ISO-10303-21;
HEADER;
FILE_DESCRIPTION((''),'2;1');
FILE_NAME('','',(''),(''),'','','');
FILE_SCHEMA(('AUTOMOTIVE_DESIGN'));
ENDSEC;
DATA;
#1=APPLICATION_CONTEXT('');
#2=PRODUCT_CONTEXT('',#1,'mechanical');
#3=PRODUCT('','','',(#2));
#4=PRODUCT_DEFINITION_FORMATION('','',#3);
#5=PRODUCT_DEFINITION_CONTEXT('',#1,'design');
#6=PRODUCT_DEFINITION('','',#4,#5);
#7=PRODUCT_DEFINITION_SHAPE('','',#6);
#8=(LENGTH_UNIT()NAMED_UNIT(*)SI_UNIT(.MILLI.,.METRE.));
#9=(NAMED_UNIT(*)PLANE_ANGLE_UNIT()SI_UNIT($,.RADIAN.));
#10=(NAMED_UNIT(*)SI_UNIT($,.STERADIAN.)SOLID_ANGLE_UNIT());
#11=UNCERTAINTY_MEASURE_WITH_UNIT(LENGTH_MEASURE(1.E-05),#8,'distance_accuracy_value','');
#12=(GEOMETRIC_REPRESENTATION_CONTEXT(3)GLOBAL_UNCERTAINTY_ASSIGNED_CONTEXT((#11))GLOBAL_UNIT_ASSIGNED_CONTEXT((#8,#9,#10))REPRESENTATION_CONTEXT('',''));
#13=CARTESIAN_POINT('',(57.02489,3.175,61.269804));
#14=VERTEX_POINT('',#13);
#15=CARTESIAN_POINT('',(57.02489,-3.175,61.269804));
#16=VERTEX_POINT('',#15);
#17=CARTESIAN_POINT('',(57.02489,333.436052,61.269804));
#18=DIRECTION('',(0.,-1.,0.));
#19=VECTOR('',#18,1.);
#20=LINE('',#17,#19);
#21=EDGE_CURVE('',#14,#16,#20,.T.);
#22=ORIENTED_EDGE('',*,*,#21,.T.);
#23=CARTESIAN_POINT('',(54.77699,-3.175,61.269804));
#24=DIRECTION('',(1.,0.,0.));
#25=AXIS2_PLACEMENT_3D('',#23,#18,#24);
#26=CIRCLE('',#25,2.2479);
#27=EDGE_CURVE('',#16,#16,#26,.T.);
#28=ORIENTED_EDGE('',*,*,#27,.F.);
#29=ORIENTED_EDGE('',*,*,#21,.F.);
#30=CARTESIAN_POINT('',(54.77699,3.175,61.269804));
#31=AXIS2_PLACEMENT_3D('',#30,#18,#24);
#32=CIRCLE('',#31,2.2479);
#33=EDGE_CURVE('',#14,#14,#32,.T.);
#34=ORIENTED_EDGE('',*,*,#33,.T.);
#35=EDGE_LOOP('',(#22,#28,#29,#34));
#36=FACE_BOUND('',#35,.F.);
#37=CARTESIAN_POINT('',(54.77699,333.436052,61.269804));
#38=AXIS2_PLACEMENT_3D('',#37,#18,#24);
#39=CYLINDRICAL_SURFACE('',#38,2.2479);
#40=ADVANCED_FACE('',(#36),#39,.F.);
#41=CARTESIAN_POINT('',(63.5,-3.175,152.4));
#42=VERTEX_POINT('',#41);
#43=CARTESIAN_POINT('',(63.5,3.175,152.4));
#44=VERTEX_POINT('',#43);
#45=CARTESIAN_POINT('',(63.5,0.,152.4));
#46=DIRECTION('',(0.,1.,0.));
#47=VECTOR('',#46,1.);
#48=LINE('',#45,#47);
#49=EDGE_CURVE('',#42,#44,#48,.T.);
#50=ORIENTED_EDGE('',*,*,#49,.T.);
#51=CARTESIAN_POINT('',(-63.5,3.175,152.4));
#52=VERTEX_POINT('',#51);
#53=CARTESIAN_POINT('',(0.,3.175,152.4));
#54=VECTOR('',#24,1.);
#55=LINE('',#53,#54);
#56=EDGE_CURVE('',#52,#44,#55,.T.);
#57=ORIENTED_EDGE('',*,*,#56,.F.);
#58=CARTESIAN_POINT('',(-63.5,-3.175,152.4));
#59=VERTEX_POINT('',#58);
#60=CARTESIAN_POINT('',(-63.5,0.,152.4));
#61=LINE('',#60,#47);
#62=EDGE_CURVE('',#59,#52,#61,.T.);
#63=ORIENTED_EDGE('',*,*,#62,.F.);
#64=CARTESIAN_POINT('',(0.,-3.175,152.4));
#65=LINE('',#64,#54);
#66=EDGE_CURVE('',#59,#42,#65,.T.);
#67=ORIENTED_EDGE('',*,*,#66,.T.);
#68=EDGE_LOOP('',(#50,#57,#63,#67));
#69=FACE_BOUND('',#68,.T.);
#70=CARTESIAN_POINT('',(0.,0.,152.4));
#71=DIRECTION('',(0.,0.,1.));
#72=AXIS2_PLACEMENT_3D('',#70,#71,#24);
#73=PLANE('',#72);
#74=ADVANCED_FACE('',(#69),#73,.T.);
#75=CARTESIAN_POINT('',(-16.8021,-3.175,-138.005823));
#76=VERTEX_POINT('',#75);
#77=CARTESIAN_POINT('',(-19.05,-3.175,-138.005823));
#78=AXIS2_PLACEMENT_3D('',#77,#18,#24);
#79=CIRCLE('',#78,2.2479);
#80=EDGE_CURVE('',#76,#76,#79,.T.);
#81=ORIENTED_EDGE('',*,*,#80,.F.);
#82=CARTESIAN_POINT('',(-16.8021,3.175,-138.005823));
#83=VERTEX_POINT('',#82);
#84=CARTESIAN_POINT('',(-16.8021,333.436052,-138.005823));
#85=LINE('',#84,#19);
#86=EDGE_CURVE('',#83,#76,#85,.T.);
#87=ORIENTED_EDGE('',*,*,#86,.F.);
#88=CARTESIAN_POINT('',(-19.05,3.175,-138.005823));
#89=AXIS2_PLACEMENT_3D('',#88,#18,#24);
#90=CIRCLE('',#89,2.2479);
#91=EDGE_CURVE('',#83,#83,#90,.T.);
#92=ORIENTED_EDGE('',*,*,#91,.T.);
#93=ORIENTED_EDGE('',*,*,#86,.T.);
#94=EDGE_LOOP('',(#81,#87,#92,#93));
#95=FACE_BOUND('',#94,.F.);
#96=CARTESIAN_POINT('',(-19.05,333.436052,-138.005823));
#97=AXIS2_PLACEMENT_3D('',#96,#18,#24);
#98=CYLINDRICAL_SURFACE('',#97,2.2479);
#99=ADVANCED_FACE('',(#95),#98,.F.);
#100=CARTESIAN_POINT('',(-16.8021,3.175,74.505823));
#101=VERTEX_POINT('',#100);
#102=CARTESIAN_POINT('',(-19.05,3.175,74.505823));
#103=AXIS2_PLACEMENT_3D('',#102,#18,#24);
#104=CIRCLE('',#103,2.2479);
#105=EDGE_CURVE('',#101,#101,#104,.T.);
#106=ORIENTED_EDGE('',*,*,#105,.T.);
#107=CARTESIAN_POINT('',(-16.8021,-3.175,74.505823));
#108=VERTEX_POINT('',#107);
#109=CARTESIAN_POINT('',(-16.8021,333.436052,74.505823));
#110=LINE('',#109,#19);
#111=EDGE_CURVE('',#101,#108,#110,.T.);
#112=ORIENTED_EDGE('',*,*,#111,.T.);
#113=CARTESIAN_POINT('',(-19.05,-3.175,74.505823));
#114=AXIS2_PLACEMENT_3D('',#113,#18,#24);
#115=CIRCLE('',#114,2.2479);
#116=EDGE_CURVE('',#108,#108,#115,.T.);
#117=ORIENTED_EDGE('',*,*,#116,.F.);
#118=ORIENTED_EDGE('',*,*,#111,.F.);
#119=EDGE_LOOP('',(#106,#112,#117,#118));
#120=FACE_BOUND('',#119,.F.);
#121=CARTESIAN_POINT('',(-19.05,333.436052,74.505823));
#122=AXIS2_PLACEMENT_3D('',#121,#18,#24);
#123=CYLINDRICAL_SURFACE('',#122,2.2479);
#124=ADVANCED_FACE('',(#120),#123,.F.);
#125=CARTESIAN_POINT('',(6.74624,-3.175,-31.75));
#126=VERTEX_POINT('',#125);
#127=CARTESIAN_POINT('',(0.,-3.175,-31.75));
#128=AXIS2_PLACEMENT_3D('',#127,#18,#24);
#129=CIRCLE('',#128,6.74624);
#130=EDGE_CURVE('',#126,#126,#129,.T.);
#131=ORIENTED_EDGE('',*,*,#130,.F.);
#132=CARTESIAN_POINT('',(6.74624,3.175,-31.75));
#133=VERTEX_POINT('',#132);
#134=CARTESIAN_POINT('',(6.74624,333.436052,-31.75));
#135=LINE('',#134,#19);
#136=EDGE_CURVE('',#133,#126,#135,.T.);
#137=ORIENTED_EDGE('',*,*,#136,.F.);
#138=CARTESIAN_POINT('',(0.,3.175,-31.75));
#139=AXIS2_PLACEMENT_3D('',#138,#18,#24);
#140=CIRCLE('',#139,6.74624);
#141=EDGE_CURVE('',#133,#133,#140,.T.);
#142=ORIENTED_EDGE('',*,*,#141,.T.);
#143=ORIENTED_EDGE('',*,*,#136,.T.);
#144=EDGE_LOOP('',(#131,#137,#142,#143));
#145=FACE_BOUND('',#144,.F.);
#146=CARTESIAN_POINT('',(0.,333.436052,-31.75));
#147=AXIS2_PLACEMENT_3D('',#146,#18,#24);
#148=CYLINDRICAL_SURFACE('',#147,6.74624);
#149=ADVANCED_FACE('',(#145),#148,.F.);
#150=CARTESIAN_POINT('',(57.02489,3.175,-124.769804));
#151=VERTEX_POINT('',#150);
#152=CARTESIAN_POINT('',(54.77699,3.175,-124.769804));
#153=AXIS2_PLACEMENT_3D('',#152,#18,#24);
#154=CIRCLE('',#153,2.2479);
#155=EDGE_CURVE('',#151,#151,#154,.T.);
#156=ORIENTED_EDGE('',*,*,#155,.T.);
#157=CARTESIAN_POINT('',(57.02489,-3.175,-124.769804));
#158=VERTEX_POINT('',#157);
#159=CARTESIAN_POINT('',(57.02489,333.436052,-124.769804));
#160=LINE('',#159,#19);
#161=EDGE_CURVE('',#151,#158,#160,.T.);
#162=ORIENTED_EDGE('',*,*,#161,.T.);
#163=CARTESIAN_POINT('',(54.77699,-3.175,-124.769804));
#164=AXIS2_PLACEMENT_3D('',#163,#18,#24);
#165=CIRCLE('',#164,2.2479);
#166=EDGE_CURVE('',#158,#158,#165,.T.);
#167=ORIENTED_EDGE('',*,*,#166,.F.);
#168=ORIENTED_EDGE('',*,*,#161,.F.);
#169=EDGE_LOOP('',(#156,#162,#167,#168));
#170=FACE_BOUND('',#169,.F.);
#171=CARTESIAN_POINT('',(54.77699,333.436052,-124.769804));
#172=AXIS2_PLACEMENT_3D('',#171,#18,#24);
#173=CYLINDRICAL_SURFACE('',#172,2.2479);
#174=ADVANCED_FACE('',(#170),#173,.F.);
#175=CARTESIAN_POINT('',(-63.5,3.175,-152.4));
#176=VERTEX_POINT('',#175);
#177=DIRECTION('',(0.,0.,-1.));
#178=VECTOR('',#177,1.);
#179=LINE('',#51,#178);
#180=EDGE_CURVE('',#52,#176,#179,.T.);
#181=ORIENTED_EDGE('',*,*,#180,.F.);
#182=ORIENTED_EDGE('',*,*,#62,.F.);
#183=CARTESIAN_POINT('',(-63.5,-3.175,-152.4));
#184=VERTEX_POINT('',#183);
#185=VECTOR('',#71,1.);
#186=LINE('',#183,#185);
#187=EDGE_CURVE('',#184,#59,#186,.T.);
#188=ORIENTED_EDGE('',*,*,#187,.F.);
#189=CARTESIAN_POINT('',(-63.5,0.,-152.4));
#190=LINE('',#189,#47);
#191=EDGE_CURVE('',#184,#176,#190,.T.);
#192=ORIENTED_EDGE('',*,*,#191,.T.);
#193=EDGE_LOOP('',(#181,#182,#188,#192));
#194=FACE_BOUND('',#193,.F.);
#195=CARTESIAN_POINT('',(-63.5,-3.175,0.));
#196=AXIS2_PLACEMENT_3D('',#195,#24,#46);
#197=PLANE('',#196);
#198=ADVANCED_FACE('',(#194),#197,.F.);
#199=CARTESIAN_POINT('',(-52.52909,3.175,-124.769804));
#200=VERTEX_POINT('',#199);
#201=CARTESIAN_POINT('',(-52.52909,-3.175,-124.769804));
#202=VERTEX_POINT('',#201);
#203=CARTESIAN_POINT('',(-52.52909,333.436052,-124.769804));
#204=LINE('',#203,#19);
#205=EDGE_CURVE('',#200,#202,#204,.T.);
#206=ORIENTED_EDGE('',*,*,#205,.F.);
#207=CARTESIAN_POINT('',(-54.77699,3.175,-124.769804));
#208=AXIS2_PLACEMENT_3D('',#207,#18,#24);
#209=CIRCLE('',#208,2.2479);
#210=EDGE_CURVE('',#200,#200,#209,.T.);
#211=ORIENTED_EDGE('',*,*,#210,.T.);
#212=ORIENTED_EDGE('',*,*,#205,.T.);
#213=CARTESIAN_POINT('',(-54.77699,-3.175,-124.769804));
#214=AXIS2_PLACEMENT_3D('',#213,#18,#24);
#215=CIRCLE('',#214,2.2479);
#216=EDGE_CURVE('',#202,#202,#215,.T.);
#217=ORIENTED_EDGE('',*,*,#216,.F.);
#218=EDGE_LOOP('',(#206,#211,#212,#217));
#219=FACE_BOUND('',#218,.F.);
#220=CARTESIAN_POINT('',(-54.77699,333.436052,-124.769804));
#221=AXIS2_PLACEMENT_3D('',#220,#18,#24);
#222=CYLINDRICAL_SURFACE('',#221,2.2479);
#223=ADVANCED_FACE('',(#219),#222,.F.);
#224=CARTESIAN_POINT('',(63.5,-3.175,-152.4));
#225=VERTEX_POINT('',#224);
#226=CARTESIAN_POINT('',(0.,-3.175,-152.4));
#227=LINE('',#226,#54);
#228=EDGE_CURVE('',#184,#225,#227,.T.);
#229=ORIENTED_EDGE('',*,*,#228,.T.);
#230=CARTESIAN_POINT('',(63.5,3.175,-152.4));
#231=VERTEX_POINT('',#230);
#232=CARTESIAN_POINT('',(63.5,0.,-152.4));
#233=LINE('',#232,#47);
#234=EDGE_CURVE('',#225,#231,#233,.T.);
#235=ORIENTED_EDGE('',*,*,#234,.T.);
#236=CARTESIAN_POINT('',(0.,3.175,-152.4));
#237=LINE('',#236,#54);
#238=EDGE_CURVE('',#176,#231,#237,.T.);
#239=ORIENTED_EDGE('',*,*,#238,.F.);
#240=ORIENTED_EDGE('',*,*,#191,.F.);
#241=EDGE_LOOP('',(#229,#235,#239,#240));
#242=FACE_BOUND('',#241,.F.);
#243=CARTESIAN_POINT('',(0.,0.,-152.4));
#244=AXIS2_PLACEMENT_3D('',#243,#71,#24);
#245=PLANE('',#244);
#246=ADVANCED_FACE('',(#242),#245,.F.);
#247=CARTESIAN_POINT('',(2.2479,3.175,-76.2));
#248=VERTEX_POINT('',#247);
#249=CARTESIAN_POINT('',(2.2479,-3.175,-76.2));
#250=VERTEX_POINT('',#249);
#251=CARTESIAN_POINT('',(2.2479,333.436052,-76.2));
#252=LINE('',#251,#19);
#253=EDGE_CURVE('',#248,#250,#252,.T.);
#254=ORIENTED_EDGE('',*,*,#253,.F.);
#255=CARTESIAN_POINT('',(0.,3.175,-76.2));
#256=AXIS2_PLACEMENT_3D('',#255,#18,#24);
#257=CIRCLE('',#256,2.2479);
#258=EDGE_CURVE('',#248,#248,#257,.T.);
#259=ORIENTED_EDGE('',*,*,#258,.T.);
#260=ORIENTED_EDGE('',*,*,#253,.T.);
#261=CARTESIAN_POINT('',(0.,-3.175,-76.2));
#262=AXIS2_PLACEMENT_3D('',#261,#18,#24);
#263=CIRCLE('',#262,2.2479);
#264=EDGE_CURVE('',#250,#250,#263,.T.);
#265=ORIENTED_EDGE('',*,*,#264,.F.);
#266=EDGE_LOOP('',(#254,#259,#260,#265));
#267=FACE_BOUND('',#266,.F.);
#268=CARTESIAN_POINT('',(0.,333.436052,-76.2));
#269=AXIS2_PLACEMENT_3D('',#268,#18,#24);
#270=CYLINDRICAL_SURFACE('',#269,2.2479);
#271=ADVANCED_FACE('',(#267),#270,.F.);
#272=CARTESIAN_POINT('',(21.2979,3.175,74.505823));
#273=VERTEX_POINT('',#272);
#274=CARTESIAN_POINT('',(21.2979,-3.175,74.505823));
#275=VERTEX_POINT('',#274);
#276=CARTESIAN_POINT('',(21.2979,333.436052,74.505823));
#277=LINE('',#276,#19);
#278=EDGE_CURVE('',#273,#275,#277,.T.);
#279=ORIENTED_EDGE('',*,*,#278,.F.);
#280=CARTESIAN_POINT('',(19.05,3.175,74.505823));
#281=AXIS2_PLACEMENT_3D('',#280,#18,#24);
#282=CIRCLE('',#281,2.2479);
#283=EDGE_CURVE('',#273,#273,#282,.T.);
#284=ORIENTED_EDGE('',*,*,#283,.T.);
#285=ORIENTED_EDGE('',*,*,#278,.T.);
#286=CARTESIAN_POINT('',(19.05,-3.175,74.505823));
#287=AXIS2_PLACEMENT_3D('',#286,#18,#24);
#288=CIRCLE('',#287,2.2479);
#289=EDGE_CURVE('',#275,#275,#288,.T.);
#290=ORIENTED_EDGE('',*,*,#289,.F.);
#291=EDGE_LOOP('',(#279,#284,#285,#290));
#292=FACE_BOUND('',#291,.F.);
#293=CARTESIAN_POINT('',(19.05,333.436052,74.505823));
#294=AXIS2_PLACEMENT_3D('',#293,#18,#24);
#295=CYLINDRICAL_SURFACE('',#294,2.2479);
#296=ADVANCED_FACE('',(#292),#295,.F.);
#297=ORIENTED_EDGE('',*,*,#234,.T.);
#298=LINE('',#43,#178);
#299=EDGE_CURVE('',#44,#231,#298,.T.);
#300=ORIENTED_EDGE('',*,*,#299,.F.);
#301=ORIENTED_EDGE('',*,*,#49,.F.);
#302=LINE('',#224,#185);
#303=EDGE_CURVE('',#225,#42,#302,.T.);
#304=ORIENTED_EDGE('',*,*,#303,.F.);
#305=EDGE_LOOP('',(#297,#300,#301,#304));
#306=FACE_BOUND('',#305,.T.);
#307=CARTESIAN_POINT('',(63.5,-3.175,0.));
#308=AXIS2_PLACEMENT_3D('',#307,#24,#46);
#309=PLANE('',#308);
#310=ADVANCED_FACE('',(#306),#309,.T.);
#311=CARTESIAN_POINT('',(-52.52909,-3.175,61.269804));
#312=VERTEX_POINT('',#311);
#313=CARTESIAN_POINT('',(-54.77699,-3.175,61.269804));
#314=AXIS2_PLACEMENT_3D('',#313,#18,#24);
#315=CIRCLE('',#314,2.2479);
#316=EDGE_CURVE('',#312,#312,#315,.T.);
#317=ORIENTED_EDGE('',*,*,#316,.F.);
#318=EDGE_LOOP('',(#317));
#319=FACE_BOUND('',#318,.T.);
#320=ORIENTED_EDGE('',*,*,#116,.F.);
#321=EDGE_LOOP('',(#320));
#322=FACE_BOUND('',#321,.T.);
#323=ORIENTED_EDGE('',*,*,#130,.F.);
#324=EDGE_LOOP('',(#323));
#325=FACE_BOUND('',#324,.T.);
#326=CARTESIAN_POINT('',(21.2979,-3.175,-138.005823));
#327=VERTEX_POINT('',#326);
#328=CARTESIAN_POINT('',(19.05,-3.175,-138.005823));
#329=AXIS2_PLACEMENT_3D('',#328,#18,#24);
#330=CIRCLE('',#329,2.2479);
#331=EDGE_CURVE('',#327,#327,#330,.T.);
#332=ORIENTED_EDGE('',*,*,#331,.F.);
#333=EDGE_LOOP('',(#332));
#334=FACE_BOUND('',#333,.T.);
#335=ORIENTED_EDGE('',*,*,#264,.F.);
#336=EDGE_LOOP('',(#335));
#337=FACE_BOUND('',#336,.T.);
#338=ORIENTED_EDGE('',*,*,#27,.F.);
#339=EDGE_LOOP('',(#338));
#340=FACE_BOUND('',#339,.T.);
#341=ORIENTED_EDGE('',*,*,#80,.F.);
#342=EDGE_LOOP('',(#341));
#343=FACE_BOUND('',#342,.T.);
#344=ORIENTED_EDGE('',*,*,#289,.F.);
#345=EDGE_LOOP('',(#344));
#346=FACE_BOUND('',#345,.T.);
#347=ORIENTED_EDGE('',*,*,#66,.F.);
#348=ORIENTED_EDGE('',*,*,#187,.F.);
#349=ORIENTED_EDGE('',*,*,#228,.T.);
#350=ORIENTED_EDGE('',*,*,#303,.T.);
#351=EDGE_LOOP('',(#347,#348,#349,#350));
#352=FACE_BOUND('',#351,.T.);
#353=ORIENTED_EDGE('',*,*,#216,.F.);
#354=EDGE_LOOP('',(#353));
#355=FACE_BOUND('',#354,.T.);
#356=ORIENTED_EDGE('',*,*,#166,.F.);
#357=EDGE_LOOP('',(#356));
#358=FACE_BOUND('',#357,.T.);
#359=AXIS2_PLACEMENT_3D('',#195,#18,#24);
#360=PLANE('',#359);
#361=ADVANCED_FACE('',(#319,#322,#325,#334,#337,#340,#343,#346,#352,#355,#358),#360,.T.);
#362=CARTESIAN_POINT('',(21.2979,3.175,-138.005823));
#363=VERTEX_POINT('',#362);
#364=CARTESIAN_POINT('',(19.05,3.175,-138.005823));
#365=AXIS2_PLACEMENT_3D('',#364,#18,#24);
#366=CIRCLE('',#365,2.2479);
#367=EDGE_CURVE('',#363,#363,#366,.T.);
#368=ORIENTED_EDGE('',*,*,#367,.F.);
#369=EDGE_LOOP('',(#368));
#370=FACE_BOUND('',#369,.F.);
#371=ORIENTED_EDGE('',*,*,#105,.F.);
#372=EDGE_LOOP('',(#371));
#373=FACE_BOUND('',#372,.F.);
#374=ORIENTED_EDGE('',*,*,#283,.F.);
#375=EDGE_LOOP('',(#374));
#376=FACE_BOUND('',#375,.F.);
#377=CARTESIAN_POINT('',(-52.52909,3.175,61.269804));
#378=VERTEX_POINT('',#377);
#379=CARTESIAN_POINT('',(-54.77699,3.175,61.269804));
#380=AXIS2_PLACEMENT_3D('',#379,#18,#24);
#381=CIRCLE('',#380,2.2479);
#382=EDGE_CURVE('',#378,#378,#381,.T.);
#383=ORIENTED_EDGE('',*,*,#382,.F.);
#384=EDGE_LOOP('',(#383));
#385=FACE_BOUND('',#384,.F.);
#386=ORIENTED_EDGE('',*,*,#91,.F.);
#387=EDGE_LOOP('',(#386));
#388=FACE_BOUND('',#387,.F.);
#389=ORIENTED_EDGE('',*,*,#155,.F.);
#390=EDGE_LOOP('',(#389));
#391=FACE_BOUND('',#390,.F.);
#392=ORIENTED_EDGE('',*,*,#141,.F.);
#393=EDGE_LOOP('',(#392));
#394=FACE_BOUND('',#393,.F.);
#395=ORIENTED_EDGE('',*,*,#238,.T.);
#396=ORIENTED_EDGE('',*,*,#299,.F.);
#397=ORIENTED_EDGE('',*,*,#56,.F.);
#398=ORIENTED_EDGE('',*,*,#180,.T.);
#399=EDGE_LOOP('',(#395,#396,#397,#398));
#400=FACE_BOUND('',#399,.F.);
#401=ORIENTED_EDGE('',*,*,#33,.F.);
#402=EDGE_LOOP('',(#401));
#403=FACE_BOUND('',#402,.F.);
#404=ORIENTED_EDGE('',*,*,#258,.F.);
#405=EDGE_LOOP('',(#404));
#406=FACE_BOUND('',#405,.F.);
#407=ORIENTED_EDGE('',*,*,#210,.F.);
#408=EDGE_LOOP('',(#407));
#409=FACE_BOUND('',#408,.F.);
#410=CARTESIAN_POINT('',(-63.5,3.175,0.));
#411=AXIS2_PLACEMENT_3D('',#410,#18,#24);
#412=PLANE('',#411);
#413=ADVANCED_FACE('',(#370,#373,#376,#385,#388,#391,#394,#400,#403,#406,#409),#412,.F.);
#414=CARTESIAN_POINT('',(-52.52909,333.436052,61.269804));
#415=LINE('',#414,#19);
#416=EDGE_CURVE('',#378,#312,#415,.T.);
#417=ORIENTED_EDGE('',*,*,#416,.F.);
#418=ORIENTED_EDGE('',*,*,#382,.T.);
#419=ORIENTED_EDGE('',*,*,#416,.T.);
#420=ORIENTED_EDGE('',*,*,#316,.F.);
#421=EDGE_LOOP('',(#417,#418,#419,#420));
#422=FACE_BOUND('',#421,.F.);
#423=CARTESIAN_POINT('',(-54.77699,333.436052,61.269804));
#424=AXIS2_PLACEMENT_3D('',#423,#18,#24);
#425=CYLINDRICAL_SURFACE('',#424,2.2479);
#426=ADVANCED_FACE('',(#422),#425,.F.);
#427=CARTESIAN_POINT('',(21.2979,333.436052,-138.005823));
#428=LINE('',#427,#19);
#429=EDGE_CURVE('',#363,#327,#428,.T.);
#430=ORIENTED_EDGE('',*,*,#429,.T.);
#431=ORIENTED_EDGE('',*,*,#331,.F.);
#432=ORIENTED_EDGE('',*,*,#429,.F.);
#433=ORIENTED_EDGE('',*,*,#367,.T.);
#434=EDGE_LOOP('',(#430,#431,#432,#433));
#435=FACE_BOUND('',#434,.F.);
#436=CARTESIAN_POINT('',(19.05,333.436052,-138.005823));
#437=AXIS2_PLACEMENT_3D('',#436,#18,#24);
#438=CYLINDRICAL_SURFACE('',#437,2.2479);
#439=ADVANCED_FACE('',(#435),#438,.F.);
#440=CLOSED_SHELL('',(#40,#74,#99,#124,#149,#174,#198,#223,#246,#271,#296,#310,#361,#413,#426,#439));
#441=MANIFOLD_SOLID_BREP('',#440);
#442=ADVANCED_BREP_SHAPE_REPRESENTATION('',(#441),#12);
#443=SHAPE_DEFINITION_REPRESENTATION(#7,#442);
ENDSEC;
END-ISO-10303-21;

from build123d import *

# Parameters (mm, degrees)
F0_W     = 127
F0_H     = 6.35
F1_DEPTH = 152.4
F3_D     = 4.4958
F4_D     = 13.49248
F5_D     = 4.4958


with BuildPart() as f1:
    # F0 (on Top) → F1 (new body, symmetric)
    with BuildSketch(Plane.XY):
        Rectangle(F0_W, F0_H)
    extrude(amount=F1_DEPTH, both=True)

    # F3 (through all)
    with Locations(Plane(origin=(0, 3.175, 0), x_dir=(-1, 0, 0), z_dir=(0, 1, 0))):
        with Locations((54.7769896194, -124.7698038497), (19.05, -138.0058233698), (-19.05, -138.0058233698), (-54.7769896194, -124.7698038497), (54.7769896194, 61.2698038497), (19.05, 74.5058233698), (-19.05, 74.5058233698), (-54.7769896194, 61.2698038497)):
            Hole(F3_D / 2)

    # F4 (through all)
    with Locations(Plane(origin=(0, 3.175, 0), x_dir=(-1, 0, 0), z_dir=(0, 1, 0))):
        with Locations((0, -31.75)):
            Hole(F4_D / 2)

    # F5 (through all)
    with Locations(Plane(origin=(0, 3.175, 0), x_dir=(-1, 0, 0), z_dir=(0, 1, 0))):
        with Locations((0, -76.2)):
            Hole(F5_D / 2)


solid = f1.part
